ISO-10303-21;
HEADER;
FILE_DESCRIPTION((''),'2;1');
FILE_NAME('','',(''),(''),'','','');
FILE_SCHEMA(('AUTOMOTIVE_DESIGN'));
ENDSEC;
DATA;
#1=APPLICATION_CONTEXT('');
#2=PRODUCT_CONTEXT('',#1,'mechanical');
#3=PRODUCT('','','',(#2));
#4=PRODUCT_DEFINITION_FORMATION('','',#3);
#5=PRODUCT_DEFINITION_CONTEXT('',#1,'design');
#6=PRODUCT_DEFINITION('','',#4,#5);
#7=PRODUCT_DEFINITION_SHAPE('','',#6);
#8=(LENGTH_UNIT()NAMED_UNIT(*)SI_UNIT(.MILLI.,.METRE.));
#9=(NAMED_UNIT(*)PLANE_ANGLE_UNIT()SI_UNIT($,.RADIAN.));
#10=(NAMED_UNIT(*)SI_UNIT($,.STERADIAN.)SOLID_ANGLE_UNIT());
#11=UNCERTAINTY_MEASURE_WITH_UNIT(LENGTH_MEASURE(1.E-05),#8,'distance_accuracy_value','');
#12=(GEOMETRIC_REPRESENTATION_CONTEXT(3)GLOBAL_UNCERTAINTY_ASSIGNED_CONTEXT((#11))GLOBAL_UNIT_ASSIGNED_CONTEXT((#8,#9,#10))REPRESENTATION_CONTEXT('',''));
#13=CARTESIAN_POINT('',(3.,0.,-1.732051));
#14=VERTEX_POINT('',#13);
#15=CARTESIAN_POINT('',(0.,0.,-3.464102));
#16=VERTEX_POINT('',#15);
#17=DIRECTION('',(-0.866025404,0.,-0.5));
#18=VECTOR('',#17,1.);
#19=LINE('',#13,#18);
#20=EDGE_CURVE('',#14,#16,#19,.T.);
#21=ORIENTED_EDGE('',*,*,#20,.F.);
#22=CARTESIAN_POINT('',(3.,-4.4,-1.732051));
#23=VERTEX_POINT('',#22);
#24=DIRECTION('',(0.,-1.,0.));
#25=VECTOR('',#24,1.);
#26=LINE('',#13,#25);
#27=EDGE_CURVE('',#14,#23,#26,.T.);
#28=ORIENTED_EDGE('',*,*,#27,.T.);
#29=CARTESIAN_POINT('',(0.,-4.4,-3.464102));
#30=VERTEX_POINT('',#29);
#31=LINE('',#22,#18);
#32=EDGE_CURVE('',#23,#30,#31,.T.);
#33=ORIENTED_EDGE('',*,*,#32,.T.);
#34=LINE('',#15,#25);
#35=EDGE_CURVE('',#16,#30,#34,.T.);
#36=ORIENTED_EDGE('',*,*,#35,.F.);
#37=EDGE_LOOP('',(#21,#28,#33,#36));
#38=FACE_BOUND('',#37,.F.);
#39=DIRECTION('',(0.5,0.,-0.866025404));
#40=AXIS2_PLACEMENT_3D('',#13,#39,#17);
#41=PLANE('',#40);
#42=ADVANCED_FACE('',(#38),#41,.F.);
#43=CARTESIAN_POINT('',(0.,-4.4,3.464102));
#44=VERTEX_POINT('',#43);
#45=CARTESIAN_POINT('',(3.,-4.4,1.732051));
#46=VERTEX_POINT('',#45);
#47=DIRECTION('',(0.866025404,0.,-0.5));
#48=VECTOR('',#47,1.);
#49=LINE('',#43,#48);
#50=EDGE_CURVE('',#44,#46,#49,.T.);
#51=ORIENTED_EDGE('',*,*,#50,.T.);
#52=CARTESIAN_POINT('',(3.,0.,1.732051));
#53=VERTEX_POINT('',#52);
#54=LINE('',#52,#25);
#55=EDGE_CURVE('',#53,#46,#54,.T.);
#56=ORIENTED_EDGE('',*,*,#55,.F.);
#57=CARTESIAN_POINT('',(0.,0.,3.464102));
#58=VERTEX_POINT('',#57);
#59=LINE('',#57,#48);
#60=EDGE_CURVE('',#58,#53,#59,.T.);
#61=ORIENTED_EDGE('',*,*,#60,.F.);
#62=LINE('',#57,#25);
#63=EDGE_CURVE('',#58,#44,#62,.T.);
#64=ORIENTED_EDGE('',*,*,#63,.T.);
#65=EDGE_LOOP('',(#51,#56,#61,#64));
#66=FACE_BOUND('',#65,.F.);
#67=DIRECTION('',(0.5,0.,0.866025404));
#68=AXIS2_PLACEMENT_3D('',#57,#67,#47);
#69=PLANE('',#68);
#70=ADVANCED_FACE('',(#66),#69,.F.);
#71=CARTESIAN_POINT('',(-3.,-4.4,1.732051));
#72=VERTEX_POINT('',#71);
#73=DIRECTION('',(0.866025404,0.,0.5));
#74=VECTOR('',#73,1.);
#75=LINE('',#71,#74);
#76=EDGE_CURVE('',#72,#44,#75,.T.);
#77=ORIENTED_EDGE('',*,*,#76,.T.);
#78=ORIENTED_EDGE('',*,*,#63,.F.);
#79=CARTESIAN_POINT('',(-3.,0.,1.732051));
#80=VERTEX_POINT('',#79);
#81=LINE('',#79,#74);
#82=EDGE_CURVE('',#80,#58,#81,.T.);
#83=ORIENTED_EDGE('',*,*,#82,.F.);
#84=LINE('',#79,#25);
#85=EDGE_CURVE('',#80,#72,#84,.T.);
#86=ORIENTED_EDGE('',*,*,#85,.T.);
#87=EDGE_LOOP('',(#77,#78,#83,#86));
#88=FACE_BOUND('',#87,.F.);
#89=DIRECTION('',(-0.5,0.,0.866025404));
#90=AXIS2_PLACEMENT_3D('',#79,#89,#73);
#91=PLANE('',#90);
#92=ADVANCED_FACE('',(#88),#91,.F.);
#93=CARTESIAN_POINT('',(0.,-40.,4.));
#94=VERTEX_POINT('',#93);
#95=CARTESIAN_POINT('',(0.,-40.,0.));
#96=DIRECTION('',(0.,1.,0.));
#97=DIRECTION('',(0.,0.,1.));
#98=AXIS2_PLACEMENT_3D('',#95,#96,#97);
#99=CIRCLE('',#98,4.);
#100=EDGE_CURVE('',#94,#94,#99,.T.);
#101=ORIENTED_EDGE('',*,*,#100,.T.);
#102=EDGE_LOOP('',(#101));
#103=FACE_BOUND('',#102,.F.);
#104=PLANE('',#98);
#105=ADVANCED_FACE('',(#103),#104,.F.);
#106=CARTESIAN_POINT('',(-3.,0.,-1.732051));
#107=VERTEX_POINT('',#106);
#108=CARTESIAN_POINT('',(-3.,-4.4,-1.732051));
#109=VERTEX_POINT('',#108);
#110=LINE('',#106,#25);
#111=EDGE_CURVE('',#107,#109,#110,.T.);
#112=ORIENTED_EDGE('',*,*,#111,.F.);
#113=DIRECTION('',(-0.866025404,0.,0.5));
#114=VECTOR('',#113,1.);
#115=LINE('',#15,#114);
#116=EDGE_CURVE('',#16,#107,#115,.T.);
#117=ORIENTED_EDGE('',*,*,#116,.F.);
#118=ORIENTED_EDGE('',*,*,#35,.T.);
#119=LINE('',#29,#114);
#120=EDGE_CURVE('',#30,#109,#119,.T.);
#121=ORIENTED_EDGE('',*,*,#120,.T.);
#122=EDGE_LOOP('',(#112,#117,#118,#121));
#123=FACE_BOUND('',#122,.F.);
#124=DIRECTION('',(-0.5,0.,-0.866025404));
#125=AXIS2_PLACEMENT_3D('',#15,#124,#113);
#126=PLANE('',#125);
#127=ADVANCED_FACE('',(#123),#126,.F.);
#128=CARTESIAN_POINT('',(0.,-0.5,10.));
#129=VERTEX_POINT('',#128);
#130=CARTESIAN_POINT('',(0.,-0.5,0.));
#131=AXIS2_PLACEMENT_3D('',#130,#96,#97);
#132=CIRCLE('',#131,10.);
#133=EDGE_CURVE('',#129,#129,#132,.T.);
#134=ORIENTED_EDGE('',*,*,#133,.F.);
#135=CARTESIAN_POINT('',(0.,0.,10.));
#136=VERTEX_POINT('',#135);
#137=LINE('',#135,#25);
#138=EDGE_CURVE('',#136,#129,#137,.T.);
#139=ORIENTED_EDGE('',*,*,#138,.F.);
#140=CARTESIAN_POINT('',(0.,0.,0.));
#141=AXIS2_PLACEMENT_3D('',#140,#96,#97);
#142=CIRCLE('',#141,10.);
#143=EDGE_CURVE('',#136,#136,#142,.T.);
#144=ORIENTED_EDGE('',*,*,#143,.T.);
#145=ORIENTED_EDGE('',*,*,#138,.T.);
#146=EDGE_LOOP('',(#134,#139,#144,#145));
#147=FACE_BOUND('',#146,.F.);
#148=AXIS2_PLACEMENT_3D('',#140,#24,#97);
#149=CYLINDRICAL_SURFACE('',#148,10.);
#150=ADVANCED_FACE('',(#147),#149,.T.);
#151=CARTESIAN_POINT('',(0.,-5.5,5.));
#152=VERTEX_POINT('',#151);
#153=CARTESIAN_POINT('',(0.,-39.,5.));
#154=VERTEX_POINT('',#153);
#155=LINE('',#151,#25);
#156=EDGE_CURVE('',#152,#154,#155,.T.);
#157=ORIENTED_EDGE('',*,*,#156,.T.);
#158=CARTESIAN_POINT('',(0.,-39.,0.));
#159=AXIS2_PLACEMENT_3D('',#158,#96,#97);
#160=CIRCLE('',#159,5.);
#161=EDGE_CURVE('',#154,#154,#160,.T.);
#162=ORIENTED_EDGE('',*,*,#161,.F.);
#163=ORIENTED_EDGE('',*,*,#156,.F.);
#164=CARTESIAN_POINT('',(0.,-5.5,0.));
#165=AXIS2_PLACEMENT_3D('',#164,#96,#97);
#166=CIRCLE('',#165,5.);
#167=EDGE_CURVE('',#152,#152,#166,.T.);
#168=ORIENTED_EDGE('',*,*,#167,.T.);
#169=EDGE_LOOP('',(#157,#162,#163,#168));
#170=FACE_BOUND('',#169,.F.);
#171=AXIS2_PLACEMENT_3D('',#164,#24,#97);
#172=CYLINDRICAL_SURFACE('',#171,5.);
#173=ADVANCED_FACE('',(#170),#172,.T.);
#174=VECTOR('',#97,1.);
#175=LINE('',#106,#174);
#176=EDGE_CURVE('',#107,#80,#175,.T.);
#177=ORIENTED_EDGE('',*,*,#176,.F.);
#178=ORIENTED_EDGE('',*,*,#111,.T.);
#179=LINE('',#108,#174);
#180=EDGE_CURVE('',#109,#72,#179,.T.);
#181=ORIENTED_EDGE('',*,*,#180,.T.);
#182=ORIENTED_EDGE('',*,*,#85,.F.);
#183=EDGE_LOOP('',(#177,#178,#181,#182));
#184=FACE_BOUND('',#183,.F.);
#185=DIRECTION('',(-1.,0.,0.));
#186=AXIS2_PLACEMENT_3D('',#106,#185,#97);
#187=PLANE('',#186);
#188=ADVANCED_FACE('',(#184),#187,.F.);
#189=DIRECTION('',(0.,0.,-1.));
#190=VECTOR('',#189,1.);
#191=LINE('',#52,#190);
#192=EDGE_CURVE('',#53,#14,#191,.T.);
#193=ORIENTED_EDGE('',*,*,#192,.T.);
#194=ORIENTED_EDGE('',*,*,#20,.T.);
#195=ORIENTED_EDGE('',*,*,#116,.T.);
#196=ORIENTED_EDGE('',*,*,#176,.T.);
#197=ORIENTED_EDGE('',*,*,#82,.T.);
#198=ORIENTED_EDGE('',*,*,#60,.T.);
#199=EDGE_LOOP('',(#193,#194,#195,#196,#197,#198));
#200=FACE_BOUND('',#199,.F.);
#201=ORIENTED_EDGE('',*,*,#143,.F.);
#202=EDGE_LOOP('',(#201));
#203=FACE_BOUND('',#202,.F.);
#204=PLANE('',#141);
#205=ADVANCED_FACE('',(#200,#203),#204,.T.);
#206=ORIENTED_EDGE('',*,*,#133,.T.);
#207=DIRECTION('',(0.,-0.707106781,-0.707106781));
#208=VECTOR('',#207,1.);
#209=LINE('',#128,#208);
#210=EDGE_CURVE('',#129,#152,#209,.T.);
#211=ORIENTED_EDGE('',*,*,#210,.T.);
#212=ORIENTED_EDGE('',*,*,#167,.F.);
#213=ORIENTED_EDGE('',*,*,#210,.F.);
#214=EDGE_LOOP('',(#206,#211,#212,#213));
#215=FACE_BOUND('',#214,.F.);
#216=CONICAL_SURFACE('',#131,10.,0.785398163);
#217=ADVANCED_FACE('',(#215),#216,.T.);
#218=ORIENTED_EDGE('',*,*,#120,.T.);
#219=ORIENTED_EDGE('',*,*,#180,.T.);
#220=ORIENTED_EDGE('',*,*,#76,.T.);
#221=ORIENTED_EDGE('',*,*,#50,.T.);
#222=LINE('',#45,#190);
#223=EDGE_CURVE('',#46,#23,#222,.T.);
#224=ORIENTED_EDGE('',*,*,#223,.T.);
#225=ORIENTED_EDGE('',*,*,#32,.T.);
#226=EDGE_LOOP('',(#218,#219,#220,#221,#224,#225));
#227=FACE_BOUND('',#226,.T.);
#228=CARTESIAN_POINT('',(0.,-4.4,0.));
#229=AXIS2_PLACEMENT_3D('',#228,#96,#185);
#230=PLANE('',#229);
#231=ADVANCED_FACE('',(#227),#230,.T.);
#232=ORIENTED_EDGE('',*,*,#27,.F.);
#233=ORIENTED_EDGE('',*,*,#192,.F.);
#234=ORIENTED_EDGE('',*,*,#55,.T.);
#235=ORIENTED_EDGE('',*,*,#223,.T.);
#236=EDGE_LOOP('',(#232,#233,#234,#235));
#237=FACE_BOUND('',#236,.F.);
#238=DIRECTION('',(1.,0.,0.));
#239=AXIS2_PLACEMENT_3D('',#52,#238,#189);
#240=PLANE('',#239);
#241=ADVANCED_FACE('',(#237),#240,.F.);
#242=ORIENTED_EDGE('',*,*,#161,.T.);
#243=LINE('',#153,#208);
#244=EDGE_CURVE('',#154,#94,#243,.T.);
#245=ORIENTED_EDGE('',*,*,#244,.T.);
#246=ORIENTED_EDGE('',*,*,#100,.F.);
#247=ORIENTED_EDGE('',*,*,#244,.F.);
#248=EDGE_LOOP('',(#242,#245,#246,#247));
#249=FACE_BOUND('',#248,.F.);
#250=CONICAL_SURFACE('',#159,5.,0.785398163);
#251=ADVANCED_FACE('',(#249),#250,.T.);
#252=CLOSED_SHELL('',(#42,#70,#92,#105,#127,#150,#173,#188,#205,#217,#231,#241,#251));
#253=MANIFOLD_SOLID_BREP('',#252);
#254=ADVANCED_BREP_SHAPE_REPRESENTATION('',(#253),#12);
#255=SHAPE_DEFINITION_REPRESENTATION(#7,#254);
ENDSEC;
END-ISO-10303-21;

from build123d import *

# Parameters (mm, degrees)
F4_DEPTH = 4.4


with BuildPart() as f2:
    # F1 (on Right) → F2 (revolve)
    with BuildSketch(Plane.YZ):
        Polygon((-40, 0), (0, 0), (0, 10), (-0.5, 10), (-5.5, 5), (-39, 5), (-40, 4), align=None)
    revolve(axis=Axis((0, -20, 0), (0, 1, 0)))

    # F3 (on face) → F4 (cut)
    with BuildSketch(Plane(origin=(0, 0, 0), x_dir=(-1, 0, 0), z_dir=(0, 1, 0))):
        Polygon((3, 1.7320508076), (0, 3.4641016151), (-3, 1.7320508076), (-3, -1.7320508076), (0, -3.4641016151), (3, -1.7320508076), align=None)
    extrude(amount=-F4_DEPTH, mode=Mode.SUBTRACT)


solid = f2.part
